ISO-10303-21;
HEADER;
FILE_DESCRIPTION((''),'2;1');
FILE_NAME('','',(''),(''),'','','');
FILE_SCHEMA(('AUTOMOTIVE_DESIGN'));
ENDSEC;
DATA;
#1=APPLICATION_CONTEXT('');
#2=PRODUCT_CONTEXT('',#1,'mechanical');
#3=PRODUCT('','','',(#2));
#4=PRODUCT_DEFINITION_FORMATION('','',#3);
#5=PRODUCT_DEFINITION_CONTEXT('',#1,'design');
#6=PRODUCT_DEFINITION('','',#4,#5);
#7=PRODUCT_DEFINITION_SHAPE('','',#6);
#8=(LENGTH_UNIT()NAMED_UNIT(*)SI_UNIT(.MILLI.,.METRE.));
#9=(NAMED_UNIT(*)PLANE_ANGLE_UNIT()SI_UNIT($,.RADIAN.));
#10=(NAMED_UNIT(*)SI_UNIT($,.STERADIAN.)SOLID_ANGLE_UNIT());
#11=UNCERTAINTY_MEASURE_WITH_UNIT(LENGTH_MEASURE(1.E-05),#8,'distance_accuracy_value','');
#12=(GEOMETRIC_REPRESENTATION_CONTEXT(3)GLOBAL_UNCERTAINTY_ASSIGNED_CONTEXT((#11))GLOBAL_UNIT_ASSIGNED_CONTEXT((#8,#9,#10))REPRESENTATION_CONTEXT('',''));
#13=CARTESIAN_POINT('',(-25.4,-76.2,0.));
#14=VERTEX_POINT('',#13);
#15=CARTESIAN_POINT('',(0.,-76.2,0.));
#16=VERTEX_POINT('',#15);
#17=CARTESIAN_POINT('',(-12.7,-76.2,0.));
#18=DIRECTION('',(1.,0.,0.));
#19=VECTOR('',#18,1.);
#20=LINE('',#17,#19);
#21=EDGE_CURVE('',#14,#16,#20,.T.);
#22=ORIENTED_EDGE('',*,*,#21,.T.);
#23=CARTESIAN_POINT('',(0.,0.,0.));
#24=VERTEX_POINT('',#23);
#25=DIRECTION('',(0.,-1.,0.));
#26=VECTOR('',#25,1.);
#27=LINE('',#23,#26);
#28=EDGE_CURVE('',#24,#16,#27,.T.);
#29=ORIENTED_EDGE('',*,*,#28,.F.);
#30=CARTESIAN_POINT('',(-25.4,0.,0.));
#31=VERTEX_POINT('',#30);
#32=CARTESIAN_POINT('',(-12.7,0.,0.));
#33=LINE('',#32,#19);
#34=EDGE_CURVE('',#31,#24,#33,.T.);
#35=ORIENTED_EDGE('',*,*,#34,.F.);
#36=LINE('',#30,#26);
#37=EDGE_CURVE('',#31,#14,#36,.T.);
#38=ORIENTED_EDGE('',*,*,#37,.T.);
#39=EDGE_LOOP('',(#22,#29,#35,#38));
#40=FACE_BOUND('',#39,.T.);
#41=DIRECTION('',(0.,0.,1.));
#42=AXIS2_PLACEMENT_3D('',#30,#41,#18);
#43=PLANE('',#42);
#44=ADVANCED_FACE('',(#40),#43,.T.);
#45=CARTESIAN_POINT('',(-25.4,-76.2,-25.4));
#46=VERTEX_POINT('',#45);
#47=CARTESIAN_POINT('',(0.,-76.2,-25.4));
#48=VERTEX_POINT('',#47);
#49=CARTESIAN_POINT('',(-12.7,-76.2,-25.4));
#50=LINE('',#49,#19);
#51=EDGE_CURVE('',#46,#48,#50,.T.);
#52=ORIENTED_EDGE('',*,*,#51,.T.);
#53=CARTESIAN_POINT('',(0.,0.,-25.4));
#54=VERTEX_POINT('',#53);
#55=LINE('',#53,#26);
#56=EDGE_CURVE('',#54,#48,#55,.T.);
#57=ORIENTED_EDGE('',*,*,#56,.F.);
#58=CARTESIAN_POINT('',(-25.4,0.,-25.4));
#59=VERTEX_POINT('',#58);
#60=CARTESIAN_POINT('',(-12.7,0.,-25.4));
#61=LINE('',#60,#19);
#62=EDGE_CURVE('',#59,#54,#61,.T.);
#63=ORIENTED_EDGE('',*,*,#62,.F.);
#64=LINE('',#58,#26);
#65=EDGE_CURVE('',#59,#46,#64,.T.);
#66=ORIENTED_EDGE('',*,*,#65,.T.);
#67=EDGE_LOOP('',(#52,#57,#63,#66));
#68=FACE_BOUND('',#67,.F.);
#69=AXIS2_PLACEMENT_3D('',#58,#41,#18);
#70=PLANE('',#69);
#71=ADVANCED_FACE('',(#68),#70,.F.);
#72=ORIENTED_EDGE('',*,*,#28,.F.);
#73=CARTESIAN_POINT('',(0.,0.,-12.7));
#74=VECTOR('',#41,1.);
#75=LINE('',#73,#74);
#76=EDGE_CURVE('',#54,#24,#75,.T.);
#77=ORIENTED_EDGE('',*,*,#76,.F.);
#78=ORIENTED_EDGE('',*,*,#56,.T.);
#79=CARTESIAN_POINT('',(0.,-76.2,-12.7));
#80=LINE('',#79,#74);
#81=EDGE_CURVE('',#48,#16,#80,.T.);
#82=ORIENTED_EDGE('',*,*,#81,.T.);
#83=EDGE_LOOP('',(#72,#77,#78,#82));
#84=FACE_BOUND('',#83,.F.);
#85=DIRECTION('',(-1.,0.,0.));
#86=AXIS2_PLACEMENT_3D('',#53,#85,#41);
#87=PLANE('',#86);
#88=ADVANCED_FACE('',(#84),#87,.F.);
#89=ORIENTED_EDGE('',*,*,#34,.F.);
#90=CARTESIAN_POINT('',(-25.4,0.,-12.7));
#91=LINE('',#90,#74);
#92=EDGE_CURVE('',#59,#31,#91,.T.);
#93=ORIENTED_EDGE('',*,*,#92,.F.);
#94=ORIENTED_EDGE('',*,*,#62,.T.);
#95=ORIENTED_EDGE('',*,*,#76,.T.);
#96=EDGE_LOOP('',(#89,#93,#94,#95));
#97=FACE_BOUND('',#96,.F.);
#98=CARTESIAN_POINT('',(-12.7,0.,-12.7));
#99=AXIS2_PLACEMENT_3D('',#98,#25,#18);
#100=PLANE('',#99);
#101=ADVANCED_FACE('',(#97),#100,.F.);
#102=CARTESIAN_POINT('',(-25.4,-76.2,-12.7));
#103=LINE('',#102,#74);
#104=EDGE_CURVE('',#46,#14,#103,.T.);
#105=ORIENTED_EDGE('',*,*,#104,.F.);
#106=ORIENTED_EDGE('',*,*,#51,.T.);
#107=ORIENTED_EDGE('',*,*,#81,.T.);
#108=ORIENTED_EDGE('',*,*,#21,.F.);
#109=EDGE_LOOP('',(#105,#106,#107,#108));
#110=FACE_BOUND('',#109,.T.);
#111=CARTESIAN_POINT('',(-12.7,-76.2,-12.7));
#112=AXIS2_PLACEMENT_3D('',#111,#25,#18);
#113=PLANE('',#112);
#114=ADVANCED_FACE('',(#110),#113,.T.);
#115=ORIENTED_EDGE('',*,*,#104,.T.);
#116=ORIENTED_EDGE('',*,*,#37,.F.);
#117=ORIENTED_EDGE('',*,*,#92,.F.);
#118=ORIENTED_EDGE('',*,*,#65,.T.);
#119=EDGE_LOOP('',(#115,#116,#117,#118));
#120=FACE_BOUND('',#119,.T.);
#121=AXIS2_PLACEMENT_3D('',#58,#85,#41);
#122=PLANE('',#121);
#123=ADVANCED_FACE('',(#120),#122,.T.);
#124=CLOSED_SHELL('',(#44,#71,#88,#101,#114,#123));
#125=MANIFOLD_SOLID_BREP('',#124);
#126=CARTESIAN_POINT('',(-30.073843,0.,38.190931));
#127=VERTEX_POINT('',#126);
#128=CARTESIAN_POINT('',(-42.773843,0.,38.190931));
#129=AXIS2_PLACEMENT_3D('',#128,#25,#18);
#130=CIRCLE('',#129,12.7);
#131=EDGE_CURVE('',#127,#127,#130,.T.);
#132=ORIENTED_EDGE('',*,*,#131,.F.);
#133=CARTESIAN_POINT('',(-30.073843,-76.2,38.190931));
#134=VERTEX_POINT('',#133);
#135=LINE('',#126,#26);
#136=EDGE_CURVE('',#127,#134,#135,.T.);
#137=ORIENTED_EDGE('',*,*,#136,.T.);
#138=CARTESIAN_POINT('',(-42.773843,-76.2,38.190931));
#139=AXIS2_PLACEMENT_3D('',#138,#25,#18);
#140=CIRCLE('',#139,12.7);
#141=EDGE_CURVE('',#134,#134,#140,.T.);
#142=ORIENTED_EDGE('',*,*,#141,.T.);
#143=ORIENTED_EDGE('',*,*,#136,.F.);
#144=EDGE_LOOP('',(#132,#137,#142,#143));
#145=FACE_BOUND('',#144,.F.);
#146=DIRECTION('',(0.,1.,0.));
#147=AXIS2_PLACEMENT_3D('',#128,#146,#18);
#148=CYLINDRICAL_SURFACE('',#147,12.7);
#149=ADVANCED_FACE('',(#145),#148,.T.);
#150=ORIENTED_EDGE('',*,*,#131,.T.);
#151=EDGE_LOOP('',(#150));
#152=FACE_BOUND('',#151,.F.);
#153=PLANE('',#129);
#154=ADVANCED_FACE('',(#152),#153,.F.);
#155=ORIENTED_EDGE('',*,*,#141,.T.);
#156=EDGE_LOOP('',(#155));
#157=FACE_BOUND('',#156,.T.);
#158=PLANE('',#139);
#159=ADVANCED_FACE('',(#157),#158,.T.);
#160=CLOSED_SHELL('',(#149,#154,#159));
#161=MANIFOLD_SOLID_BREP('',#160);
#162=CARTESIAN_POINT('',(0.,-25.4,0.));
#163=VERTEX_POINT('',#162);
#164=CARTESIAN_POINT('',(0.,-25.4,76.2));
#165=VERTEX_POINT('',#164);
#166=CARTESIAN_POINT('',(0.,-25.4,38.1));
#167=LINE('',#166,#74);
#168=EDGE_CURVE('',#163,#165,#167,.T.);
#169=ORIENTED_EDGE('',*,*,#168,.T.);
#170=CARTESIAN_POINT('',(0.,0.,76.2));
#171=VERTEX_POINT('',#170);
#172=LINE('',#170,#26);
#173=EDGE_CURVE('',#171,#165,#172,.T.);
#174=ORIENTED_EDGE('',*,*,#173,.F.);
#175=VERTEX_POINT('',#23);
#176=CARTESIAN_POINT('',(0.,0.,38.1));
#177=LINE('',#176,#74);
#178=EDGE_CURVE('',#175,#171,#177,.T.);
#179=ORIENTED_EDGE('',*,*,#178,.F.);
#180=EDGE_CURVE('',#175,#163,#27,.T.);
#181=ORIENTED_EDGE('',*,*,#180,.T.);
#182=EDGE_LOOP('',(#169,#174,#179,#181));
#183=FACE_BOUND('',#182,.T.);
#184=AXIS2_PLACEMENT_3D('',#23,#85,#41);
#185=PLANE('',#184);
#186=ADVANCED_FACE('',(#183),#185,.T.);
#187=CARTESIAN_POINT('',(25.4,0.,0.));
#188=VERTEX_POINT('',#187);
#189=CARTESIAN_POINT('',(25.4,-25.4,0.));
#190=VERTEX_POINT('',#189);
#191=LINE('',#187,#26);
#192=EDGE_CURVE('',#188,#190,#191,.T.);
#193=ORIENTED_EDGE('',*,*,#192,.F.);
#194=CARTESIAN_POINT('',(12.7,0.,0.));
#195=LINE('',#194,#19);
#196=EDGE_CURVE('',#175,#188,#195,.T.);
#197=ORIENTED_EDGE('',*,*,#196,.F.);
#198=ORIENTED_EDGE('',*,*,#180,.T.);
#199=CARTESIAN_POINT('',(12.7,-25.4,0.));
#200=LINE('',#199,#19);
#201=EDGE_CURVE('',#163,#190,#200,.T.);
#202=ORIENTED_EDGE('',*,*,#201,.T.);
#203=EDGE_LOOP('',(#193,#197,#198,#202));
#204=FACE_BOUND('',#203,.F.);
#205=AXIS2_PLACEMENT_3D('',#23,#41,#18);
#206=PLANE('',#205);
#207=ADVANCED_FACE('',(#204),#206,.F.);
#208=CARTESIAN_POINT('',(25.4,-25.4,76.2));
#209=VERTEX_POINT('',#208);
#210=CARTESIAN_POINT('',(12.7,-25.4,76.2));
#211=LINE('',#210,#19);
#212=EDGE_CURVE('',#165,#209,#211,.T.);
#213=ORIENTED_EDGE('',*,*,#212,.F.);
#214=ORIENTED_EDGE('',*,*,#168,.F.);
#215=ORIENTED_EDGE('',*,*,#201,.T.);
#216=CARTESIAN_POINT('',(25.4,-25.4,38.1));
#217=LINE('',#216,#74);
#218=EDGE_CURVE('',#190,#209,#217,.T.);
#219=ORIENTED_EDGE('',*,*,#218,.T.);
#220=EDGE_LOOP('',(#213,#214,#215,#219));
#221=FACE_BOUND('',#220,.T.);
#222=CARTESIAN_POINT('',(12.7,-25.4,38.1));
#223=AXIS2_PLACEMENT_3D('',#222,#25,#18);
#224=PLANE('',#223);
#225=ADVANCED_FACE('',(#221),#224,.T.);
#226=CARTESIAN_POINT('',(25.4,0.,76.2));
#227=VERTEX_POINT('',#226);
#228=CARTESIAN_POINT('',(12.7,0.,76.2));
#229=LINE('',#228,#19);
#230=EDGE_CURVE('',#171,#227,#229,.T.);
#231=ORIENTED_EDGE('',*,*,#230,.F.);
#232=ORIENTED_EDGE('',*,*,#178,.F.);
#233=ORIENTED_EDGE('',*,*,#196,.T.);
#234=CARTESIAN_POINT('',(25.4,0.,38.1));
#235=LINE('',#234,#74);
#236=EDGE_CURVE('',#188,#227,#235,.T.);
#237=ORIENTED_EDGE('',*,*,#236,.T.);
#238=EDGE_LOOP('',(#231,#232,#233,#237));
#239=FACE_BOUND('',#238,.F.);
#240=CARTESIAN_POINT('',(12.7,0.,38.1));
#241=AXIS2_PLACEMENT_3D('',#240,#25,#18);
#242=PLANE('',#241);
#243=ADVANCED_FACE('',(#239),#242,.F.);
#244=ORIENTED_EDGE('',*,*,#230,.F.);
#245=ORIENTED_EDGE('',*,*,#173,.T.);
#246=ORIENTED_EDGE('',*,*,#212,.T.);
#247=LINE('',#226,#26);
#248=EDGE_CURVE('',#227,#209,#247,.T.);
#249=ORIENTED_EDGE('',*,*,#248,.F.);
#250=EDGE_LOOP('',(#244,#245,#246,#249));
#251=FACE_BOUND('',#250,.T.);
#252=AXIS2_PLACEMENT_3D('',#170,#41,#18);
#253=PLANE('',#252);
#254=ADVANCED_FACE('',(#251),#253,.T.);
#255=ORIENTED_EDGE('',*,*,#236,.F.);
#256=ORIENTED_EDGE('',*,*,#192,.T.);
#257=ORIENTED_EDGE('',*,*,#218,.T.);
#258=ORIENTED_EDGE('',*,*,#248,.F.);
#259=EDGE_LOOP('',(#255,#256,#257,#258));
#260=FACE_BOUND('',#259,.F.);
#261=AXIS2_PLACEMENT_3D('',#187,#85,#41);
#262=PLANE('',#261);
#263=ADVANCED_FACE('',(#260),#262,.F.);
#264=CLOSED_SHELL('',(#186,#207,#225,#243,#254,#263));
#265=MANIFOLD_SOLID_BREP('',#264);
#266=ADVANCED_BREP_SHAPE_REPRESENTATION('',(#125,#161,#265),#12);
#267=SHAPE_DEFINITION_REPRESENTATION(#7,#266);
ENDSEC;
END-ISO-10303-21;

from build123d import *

# Parameters (mm, degrees)
F0_W     = 25.4
F0_H     = 76.2
F1_DEPTH = 25.4
F2_R     = 12.7
F3_DEPTH = 76.2
F4_W     = 25.4
F4_H     = 25.4
F5_DEPTH = 76.2


with BuildPart() as f1:
    # F0 (on Front) → F1 (new body)
    with BuildSketch(Plane.XZ):
        with Locations((12.7, 38.1)):
            Rectangle(F0_W, F0_H)
    extrude(amount=F1_DEPTH)


with BuildPart() as f3:
    # F2 (on Front) → F3 (new body)
    with BuildSketch(Plane.XZ):
        with Locations((-42.773843, 38.190931)):
            Circle(F2_R)
    extrude(amount=F3_DEPTH)


with BuildPart() as f5:
    # F4 (on Front) → F5 (new body)
    with BuildSketch(Plane.XZ):
        with Locations((-12.7, -12.7)):
            Rectangle(F4_W, F4_H)
    extrude(amount=F5_DEPTH)


solid = Compound([f1.part, f3.part, f5.part])
